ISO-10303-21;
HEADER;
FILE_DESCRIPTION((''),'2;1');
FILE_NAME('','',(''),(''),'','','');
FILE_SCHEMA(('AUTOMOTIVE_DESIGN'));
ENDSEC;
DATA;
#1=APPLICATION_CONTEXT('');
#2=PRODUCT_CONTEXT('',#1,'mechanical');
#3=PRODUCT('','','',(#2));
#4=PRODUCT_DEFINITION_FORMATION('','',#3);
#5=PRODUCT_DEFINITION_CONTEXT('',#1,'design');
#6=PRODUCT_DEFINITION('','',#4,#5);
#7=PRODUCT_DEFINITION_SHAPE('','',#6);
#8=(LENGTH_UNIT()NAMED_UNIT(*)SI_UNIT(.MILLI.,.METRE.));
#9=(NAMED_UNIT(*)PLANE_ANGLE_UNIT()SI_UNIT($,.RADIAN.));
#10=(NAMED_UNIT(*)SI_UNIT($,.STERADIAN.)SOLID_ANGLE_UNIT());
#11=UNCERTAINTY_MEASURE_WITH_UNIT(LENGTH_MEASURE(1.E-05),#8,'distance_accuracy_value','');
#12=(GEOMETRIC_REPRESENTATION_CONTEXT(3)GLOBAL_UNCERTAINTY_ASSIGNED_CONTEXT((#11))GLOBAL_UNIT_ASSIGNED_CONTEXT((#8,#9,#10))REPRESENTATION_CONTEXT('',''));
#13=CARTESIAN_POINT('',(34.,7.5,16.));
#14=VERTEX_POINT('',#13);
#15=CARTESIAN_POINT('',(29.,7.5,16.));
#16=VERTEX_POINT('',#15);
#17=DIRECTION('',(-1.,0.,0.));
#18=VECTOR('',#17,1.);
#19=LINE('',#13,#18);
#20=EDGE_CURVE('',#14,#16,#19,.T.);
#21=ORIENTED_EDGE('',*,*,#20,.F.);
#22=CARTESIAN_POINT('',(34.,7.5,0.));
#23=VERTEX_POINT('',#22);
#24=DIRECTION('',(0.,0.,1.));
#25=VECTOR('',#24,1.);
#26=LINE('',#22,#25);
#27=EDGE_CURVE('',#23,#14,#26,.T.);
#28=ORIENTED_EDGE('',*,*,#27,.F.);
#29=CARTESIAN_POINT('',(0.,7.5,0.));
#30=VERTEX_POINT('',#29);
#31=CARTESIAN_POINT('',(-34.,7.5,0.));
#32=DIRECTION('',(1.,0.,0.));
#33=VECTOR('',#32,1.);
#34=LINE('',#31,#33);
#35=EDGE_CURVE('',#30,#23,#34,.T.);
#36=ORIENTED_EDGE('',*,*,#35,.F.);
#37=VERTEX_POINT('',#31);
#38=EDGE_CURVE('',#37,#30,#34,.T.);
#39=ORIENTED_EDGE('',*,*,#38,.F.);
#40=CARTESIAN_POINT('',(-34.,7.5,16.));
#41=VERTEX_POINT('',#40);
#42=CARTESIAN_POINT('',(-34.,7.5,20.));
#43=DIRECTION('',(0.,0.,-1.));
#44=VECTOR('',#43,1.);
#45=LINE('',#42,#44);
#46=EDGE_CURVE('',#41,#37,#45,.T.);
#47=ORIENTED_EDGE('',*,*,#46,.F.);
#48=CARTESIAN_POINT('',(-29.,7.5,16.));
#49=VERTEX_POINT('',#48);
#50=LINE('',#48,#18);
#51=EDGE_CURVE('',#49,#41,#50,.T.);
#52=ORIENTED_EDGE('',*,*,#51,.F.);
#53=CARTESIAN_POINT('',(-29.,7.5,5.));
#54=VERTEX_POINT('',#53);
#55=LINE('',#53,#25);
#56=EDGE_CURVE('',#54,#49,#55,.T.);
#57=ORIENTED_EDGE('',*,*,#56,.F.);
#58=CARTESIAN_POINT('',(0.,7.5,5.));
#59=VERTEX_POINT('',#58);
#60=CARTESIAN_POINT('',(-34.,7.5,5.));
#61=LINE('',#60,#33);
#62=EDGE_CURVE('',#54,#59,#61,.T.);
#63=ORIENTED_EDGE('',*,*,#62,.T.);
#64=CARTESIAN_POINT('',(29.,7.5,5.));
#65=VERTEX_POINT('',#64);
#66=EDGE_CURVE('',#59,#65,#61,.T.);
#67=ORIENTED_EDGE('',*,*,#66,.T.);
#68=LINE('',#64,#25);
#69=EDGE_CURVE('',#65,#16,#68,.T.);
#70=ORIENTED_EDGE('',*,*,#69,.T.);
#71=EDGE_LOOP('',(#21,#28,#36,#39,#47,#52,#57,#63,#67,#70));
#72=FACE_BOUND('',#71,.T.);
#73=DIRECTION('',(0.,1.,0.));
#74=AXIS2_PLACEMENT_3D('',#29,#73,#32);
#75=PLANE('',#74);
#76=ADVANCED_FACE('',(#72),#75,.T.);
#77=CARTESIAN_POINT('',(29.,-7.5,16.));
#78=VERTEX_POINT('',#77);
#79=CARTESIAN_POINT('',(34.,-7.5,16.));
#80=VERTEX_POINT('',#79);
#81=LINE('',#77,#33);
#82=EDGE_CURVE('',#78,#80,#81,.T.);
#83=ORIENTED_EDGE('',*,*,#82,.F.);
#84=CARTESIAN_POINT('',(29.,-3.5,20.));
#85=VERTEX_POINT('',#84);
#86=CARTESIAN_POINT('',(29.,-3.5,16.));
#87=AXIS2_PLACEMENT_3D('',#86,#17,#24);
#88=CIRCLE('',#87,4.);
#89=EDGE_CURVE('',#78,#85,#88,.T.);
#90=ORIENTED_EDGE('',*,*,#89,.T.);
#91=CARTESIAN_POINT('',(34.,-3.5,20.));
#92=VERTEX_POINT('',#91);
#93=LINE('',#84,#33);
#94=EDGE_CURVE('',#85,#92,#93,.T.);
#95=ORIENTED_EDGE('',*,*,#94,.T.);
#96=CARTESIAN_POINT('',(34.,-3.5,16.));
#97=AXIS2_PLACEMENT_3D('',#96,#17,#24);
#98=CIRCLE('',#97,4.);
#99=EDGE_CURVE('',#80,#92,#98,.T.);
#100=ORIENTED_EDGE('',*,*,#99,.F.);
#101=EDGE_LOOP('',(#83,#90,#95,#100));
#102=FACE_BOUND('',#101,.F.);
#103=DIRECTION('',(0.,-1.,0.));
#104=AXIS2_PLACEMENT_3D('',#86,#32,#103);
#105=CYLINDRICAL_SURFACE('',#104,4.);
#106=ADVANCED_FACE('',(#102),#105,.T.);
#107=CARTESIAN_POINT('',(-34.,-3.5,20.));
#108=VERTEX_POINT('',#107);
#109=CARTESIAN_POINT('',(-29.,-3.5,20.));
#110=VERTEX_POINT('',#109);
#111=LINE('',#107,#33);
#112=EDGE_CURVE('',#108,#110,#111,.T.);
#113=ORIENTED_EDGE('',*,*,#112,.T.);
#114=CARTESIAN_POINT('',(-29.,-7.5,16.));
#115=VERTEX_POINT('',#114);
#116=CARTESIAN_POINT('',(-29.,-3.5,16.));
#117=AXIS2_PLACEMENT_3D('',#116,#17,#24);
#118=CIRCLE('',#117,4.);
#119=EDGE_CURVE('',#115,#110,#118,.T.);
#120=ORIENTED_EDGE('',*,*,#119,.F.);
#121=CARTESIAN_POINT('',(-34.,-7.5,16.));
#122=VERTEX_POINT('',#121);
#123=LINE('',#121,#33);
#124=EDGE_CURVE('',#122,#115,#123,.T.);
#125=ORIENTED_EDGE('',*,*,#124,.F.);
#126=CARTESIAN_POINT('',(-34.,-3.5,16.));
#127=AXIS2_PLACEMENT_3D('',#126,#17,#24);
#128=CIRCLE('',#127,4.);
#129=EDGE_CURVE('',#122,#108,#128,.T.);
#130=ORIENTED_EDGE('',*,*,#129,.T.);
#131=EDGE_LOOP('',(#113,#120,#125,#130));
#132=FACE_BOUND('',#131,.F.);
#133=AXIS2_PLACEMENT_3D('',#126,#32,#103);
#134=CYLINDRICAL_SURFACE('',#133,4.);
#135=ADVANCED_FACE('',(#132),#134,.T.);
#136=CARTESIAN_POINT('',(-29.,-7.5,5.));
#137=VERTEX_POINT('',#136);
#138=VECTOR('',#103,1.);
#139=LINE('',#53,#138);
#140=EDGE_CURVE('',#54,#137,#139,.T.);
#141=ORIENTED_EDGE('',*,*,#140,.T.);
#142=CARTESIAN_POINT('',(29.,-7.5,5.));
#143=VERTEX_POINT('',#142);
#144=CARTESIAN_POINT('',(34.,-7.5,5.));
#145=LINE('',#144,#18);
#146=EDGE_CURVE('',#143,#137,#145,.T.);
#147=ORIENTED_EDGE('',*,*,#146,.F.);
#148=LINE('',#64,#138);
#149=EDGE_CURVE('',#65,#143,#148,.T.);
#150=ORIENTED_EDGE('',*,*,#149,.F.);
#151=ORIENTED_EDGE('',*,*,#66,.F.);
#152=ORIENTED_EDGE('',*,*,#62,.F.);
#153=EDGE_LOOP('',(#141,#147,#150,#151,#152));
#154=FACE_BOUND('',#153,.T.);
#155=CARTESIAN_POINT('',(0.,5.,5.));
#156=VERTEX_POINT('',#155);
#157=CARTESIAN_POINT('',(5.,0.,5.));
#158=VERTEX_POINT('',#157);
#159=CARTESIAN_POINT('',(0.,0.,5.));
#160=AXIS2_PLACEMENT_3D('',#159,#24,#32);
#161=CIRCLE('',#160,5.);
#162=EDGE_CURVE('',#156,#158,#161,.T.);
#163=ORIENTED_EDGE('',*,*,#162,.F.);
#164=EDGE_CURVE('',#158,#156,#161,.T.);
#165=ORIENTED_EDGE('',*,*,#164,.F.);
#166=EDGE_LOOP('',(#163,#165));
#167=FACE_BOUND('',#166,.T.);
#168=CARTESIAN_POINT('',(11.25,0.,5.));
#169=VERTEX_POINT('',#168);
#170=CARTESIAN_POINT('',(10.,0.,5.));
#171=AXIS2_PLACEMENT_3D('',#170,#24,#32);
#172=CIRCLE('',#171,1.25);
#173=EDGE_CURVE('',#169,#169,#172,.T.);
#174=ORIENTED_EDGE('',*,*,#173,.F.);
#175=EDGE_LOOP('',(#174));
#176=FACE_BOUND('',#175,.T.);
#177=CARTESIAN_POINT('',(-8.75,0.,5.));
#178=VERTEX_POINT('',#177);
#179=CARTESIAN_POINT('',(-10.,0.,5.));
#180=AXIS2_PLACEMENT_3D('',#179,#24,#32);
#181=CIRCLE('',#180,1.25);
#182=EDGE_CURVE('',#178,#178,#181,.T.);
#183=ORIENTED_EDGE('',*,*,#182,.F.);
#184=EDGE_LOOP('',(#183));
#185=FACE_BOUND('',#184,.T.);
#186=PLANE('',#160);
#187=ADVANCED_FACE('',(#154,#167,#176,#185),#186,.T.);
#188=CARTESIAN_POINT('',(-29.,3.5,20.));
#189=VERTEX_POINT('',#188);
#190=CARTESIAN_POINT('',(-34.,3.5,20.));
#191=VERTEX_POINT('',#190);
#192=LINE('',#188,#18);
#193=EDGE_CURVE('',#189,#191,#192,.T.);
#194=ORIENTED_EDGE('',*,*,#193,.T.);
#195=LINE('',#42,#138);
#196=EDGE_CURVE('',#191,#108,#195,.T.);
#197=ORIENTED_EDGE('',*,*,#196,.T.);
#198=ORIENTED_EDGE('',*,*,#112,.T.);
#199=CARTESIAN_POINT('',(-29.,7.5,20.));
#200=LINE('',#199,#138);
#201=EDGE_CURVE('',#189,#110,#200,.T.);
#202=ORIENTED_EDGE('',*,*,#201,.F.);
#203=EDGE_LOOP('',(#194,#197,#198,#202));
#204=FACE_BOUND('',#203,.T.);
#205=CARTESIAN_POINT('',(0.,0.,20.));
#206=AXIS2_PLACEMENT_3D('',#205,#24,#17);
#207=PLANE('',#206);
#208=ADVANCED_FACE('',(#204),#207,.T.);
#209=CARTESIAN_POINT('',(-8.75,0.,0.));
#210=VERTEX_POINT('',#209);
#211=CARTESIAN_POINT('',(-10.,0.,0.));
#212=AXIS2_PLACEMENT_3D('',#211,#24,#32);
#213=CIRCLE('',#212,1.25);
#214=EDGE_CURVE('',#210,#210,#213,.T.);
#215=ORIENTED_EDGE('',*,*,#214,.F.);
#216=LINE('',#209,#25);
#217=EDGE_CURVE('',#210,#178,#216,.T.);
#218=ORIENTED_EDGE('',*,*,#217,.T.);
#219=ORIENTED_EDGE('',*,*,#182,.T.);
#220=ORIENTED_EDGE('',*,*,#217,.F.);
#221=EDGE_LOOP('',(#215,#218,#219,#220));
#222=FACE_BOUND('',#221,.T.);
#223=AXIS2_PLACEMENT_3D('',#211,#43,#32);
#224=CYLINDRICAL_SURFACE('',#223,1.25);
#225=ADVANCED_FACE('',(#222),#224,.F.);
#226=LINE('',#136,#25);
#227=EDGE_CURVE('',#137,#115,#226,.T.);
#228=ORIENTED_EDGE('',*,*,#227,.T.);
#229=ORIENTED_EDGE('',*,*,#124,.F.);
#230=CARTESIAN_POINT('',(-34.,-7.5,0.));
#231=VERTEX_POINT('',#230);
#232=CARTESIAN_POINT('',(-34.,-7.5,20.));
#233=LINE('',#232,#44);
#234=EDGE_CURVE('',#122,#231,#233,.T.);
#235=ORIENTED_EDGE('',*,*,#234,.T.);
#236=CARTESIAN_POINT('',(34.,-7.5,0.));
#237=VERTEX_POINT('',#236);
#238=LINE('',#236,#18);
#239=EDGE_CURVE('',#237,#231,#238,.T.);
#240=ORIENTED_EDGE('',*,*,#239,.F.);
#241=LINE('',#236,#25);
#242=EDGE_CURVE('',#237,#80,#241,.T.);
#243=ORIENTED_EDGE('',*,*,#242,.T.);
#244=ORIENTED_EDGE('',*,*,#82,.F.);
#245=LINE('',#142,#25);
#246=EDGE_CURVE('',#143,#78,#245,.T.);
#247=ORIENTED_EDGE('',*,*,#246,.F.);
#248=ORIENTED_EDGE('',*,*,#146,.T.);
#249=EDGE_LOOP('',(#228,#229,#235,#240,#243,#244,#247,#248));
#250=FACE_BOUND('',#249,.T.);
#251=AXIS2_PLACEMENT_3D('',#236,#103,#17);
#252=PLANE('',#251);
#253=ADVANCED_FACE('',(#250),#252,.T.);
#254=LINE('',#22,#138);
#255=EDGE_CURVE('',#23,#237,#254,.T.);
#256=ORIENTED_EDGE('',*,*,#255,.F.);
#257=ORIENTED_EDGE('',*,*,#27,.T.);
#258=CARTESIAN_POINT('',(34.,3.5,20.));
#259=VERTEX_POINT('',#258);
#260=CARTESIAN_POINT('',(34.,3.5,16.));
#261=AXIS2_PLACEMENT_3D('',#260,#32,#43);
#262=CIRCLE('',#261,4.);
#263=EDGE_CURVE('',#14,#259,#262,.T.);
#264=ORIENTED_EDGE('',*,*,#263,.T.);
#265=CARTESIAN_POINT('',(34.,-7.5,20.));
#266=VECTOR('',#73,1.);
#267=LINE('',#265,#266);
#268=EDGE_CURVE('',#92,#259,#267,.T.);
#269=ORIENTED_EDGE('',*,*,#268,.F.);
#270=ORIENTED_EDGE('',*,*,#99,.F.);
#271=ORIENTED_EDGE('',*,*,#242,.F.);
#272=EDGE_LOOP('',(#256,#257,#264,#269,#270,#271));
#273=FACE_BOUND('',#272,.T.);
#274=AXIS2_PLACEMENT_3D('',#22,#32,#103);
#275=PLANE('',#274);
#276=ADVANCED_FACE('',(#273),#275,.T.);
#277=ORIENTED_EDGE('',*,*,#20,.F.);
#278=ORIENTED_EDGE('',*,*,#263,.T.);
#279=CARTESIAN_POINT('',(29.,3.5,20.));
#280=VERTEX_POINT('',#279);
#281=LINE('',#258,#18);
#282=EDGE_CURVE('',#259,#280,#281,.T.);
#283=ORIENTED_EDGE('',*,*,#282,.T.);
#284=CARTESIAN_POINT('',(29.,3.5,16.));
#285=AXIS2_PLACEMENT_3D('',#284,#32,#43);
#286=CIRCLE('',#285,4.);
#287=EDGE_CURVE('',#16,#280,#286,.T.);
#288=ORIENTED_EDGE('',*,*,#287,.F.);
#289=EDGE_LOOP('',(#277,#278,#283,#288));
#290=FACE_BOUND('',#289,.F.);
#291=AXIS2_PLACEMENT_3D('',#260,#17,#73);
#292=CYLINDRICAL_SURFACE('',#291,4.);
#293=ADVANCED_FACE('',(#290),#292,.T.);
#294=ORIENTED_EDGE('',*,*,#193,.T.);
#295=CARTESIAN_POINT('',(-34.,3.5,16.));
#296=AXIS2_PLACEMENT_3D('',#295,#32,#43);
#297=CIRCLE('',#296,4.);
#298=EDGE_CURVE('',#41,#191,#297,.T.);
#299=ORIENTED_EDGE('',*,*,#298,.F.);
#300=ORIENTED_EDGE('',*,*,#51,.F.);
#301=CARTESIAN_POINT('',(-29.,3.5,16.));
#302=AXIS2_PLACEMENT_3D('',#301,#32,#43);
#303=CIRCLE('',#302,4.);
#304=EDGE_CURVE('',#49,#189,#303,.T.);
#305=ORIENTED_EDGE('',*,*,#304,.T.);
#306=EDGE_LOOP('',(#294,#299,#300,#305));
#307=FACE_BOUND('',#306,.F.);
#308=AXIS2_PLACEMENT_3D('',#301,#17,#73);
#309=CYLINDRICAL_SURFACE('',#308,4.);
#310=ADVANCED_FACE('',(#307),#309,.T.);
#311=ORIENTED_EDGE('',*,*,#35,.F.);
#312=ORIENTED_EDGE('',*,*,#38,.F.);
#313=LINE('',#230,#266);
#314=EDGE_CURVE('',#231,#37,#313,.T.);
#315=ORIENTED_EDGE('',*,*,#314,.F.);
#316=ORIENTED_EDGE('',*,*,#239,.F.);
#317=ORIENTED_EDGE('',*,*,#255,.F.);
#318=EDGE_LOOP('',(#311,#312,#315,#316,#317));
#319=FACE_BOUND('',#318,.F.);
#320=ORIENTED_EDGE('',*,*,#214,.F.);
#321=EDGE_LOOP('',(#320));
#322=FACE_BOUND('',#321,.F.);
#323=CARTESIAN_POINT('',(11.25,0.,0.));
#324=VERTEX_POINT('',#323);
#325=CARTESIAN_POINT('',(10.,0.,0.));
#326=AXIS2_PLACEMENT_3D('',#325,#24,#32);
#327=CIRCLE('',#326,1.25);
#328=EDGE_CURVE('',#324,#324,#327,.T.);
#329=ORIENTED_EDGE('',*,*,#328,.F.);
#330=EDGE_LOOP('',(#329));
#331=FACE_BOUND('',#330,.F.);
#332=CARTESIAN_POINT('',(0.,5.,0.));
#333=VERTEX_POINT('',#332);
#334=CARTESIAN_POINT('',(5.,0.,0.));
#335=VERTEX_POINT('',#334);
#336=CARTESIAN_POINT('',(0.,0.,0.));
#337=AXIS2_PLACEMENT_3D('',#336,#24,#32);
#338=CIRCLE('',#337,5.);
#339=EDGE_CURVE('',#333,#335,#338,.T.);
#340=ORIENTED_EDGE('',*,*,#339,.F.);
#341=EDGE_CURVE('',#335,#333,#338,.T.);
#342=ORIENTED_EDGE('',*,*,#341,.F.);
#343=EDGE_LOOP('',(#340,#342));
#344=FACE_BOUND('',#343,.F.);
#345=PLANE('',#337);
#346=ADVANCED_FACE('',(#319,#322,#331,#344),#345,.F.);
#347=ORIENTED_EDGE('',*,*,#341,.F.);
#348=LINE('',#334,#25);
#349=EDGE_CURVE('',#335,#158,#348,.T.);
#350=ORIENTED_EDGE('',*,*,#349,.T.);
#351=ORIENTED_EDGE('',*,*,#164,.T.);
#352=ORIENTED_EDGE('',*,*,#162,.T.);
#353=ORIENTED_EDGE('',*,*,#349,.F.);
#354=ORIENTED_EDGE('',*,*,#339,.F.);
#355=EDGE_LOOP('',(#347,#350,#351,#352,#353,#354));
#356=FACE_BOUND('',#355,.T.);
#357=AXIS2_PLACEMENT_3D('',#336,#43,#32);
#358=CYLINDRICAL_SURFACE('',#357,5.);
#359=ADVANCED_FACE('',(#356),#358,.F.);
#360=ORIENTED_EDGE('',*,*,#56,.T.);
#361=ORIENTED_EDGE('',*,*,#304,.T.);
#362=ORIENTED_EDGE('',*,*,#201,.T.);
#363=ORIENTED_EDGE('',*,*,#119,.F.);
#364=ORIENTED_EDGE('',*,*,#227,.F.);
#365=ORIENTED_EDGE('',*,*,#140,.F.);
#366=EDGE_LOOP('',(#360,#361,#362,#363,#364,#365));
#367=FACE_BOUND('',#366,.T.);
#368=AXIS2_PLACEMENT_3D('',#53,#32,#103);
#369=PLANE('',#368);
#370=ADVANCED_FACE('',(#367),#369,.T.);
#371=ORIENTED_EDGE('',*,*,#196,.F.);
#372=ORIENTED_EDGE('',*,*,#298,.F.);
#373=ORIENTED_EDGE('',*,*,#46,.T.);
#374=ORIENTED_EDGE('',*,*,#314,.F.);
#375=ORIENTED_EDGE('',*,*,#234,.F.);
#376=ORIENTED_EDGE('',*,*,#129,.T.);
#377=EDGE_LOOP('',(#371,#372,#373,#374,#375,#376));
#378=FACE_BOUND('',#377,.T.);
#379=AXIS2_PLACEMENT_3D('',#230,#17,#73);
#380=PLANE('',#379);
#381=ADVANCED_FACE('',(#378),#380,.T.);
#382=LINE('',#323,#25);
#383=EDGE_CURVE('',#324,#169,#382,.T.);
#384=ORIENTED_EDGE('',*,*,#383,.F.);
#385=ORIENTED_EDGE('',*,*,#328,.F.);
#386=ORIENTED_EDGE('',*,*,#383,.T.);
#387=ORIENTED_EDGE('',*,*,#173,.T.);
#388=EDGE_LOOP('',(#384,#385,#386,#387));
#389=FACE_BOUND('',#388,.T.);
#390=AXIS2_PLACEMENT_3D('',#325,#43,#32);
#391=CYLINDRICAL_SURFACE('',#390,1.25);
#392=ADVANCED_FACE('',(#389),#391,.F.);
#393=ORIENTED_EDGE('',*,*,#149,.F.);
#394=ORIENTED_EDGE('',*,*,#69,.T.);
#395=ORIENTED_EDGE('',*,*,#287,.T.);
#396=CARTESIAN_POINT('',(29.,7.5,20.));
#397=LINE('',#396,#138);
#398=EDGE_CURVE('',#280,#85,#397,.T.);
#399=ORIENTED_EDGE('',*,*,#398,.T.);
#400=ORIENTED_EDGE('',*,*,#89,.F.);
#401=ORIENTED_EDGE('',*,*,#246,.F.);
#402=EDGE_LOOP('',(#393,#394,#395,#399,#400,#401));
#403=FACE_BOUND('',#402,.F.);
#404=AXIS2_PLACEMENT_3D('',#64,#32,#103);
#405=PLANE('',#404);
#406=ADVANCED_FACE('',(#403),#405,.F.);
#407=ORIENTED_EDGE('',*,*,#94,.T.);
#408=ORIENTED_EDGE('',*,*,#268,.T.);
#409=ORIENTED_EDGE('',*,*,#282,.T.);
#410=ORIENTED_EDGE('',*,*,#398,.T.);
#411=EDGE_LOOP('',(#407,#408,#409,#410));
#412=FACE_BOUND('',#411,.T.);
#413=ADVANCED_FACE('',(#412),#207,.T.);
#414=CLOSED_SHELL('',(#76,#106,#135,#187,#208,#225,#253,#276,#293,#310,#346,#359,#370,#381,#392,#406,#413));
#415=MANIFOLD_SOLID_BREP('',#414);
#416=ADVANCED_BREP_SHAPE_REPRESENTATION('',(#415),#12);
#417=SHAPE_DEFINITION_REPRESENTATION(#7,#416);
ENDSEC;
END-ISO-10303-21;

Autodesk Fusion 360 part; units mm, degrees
sketch "Sketch1" plane through (0, 0, 0) normal (0, 0, 1) x (1, 0, 0)
  line L0 (34, -7.5) -> (-34, -7.5)
  line L1 (-34, -7.5) -> (-34, 7.5)
  line L2 (-34, 7.5) -> (34, 7.5)
  line L3 (34, 7.5) -> (34, -7.5)
  line L4 (34, -7.5) -> (-34, 7.5) construction
  line L5 (-34, -7.5) -> (34, 7.5) construction
  circle A0 centre (0, 0) radius 5
  line L6 (0, 0) -> (10, 0) construction
  circle A1 centre (10, 0) radius 1.25
  line L7 (0, 2.5) -> (0, 20)
  circle A2 centre (-10, 0) radius 1.25
  dimension "d18" = 68
  dimension "d19" = 15
  dimension "d20" = 10
  dimension "d22" = 10
  dimension "d23" = 2.5
extrude "Extrude1" add sketch "Sketch1" along normal blind 5
sketch "Sketch2" plane through (0, 0, 5) normal (0, 0, 1) x (-1, 0, 0)
  line L0 (0, -2.5) -> (0, -20)
  circle A0 centre (-10, 0) radius 1.25
  circle A1 centre (10, 0) radius 1.25
  circle A2 centre (0, 0) radius 5
  line L1 (-34, -7.5) -> (34, -7.5)
  line L2 (34, -7.5) -> (34, 7.5)
  line L3 (34, 7.5) -> (-34, 7.5)
  line L4 (-34, 7.5) -> (-34, -7.5)
  line L5 (34, -7.5) -> (29, -7.5)
  line L6 (29, -7.5) -> (29, 7.5)
  line L7 (29, 7.5) -> (34, 7.5)
  line L8 (34, 7.5) -> (34, -7.5)
  line L9 (-34, -7.5) -> (-29, -7.5)
  line L10 (-29, -7.5) -> (-29, 7.5)
  line L11 (-29, 7.5) -> (-34, 7.5)
  line L12 (-34, 7.5) -> (-34, -7.5)
  dimension "d24" = 5
  dimension "d25" = 5
extrude "Extrude2" add sketch "Sketch2" along normal blind 15 contours L1 L3 L4 L9 L10 L11 L12 | L1 L2 L3 L5 L6 L7 L8
fillet "Fillet2" radius 4 4 edges at (-31.5, -7.5, 20) (-31.5, 7.5, 20) (31.5, -7.5, 20) (31.5, 7.5, 20)
